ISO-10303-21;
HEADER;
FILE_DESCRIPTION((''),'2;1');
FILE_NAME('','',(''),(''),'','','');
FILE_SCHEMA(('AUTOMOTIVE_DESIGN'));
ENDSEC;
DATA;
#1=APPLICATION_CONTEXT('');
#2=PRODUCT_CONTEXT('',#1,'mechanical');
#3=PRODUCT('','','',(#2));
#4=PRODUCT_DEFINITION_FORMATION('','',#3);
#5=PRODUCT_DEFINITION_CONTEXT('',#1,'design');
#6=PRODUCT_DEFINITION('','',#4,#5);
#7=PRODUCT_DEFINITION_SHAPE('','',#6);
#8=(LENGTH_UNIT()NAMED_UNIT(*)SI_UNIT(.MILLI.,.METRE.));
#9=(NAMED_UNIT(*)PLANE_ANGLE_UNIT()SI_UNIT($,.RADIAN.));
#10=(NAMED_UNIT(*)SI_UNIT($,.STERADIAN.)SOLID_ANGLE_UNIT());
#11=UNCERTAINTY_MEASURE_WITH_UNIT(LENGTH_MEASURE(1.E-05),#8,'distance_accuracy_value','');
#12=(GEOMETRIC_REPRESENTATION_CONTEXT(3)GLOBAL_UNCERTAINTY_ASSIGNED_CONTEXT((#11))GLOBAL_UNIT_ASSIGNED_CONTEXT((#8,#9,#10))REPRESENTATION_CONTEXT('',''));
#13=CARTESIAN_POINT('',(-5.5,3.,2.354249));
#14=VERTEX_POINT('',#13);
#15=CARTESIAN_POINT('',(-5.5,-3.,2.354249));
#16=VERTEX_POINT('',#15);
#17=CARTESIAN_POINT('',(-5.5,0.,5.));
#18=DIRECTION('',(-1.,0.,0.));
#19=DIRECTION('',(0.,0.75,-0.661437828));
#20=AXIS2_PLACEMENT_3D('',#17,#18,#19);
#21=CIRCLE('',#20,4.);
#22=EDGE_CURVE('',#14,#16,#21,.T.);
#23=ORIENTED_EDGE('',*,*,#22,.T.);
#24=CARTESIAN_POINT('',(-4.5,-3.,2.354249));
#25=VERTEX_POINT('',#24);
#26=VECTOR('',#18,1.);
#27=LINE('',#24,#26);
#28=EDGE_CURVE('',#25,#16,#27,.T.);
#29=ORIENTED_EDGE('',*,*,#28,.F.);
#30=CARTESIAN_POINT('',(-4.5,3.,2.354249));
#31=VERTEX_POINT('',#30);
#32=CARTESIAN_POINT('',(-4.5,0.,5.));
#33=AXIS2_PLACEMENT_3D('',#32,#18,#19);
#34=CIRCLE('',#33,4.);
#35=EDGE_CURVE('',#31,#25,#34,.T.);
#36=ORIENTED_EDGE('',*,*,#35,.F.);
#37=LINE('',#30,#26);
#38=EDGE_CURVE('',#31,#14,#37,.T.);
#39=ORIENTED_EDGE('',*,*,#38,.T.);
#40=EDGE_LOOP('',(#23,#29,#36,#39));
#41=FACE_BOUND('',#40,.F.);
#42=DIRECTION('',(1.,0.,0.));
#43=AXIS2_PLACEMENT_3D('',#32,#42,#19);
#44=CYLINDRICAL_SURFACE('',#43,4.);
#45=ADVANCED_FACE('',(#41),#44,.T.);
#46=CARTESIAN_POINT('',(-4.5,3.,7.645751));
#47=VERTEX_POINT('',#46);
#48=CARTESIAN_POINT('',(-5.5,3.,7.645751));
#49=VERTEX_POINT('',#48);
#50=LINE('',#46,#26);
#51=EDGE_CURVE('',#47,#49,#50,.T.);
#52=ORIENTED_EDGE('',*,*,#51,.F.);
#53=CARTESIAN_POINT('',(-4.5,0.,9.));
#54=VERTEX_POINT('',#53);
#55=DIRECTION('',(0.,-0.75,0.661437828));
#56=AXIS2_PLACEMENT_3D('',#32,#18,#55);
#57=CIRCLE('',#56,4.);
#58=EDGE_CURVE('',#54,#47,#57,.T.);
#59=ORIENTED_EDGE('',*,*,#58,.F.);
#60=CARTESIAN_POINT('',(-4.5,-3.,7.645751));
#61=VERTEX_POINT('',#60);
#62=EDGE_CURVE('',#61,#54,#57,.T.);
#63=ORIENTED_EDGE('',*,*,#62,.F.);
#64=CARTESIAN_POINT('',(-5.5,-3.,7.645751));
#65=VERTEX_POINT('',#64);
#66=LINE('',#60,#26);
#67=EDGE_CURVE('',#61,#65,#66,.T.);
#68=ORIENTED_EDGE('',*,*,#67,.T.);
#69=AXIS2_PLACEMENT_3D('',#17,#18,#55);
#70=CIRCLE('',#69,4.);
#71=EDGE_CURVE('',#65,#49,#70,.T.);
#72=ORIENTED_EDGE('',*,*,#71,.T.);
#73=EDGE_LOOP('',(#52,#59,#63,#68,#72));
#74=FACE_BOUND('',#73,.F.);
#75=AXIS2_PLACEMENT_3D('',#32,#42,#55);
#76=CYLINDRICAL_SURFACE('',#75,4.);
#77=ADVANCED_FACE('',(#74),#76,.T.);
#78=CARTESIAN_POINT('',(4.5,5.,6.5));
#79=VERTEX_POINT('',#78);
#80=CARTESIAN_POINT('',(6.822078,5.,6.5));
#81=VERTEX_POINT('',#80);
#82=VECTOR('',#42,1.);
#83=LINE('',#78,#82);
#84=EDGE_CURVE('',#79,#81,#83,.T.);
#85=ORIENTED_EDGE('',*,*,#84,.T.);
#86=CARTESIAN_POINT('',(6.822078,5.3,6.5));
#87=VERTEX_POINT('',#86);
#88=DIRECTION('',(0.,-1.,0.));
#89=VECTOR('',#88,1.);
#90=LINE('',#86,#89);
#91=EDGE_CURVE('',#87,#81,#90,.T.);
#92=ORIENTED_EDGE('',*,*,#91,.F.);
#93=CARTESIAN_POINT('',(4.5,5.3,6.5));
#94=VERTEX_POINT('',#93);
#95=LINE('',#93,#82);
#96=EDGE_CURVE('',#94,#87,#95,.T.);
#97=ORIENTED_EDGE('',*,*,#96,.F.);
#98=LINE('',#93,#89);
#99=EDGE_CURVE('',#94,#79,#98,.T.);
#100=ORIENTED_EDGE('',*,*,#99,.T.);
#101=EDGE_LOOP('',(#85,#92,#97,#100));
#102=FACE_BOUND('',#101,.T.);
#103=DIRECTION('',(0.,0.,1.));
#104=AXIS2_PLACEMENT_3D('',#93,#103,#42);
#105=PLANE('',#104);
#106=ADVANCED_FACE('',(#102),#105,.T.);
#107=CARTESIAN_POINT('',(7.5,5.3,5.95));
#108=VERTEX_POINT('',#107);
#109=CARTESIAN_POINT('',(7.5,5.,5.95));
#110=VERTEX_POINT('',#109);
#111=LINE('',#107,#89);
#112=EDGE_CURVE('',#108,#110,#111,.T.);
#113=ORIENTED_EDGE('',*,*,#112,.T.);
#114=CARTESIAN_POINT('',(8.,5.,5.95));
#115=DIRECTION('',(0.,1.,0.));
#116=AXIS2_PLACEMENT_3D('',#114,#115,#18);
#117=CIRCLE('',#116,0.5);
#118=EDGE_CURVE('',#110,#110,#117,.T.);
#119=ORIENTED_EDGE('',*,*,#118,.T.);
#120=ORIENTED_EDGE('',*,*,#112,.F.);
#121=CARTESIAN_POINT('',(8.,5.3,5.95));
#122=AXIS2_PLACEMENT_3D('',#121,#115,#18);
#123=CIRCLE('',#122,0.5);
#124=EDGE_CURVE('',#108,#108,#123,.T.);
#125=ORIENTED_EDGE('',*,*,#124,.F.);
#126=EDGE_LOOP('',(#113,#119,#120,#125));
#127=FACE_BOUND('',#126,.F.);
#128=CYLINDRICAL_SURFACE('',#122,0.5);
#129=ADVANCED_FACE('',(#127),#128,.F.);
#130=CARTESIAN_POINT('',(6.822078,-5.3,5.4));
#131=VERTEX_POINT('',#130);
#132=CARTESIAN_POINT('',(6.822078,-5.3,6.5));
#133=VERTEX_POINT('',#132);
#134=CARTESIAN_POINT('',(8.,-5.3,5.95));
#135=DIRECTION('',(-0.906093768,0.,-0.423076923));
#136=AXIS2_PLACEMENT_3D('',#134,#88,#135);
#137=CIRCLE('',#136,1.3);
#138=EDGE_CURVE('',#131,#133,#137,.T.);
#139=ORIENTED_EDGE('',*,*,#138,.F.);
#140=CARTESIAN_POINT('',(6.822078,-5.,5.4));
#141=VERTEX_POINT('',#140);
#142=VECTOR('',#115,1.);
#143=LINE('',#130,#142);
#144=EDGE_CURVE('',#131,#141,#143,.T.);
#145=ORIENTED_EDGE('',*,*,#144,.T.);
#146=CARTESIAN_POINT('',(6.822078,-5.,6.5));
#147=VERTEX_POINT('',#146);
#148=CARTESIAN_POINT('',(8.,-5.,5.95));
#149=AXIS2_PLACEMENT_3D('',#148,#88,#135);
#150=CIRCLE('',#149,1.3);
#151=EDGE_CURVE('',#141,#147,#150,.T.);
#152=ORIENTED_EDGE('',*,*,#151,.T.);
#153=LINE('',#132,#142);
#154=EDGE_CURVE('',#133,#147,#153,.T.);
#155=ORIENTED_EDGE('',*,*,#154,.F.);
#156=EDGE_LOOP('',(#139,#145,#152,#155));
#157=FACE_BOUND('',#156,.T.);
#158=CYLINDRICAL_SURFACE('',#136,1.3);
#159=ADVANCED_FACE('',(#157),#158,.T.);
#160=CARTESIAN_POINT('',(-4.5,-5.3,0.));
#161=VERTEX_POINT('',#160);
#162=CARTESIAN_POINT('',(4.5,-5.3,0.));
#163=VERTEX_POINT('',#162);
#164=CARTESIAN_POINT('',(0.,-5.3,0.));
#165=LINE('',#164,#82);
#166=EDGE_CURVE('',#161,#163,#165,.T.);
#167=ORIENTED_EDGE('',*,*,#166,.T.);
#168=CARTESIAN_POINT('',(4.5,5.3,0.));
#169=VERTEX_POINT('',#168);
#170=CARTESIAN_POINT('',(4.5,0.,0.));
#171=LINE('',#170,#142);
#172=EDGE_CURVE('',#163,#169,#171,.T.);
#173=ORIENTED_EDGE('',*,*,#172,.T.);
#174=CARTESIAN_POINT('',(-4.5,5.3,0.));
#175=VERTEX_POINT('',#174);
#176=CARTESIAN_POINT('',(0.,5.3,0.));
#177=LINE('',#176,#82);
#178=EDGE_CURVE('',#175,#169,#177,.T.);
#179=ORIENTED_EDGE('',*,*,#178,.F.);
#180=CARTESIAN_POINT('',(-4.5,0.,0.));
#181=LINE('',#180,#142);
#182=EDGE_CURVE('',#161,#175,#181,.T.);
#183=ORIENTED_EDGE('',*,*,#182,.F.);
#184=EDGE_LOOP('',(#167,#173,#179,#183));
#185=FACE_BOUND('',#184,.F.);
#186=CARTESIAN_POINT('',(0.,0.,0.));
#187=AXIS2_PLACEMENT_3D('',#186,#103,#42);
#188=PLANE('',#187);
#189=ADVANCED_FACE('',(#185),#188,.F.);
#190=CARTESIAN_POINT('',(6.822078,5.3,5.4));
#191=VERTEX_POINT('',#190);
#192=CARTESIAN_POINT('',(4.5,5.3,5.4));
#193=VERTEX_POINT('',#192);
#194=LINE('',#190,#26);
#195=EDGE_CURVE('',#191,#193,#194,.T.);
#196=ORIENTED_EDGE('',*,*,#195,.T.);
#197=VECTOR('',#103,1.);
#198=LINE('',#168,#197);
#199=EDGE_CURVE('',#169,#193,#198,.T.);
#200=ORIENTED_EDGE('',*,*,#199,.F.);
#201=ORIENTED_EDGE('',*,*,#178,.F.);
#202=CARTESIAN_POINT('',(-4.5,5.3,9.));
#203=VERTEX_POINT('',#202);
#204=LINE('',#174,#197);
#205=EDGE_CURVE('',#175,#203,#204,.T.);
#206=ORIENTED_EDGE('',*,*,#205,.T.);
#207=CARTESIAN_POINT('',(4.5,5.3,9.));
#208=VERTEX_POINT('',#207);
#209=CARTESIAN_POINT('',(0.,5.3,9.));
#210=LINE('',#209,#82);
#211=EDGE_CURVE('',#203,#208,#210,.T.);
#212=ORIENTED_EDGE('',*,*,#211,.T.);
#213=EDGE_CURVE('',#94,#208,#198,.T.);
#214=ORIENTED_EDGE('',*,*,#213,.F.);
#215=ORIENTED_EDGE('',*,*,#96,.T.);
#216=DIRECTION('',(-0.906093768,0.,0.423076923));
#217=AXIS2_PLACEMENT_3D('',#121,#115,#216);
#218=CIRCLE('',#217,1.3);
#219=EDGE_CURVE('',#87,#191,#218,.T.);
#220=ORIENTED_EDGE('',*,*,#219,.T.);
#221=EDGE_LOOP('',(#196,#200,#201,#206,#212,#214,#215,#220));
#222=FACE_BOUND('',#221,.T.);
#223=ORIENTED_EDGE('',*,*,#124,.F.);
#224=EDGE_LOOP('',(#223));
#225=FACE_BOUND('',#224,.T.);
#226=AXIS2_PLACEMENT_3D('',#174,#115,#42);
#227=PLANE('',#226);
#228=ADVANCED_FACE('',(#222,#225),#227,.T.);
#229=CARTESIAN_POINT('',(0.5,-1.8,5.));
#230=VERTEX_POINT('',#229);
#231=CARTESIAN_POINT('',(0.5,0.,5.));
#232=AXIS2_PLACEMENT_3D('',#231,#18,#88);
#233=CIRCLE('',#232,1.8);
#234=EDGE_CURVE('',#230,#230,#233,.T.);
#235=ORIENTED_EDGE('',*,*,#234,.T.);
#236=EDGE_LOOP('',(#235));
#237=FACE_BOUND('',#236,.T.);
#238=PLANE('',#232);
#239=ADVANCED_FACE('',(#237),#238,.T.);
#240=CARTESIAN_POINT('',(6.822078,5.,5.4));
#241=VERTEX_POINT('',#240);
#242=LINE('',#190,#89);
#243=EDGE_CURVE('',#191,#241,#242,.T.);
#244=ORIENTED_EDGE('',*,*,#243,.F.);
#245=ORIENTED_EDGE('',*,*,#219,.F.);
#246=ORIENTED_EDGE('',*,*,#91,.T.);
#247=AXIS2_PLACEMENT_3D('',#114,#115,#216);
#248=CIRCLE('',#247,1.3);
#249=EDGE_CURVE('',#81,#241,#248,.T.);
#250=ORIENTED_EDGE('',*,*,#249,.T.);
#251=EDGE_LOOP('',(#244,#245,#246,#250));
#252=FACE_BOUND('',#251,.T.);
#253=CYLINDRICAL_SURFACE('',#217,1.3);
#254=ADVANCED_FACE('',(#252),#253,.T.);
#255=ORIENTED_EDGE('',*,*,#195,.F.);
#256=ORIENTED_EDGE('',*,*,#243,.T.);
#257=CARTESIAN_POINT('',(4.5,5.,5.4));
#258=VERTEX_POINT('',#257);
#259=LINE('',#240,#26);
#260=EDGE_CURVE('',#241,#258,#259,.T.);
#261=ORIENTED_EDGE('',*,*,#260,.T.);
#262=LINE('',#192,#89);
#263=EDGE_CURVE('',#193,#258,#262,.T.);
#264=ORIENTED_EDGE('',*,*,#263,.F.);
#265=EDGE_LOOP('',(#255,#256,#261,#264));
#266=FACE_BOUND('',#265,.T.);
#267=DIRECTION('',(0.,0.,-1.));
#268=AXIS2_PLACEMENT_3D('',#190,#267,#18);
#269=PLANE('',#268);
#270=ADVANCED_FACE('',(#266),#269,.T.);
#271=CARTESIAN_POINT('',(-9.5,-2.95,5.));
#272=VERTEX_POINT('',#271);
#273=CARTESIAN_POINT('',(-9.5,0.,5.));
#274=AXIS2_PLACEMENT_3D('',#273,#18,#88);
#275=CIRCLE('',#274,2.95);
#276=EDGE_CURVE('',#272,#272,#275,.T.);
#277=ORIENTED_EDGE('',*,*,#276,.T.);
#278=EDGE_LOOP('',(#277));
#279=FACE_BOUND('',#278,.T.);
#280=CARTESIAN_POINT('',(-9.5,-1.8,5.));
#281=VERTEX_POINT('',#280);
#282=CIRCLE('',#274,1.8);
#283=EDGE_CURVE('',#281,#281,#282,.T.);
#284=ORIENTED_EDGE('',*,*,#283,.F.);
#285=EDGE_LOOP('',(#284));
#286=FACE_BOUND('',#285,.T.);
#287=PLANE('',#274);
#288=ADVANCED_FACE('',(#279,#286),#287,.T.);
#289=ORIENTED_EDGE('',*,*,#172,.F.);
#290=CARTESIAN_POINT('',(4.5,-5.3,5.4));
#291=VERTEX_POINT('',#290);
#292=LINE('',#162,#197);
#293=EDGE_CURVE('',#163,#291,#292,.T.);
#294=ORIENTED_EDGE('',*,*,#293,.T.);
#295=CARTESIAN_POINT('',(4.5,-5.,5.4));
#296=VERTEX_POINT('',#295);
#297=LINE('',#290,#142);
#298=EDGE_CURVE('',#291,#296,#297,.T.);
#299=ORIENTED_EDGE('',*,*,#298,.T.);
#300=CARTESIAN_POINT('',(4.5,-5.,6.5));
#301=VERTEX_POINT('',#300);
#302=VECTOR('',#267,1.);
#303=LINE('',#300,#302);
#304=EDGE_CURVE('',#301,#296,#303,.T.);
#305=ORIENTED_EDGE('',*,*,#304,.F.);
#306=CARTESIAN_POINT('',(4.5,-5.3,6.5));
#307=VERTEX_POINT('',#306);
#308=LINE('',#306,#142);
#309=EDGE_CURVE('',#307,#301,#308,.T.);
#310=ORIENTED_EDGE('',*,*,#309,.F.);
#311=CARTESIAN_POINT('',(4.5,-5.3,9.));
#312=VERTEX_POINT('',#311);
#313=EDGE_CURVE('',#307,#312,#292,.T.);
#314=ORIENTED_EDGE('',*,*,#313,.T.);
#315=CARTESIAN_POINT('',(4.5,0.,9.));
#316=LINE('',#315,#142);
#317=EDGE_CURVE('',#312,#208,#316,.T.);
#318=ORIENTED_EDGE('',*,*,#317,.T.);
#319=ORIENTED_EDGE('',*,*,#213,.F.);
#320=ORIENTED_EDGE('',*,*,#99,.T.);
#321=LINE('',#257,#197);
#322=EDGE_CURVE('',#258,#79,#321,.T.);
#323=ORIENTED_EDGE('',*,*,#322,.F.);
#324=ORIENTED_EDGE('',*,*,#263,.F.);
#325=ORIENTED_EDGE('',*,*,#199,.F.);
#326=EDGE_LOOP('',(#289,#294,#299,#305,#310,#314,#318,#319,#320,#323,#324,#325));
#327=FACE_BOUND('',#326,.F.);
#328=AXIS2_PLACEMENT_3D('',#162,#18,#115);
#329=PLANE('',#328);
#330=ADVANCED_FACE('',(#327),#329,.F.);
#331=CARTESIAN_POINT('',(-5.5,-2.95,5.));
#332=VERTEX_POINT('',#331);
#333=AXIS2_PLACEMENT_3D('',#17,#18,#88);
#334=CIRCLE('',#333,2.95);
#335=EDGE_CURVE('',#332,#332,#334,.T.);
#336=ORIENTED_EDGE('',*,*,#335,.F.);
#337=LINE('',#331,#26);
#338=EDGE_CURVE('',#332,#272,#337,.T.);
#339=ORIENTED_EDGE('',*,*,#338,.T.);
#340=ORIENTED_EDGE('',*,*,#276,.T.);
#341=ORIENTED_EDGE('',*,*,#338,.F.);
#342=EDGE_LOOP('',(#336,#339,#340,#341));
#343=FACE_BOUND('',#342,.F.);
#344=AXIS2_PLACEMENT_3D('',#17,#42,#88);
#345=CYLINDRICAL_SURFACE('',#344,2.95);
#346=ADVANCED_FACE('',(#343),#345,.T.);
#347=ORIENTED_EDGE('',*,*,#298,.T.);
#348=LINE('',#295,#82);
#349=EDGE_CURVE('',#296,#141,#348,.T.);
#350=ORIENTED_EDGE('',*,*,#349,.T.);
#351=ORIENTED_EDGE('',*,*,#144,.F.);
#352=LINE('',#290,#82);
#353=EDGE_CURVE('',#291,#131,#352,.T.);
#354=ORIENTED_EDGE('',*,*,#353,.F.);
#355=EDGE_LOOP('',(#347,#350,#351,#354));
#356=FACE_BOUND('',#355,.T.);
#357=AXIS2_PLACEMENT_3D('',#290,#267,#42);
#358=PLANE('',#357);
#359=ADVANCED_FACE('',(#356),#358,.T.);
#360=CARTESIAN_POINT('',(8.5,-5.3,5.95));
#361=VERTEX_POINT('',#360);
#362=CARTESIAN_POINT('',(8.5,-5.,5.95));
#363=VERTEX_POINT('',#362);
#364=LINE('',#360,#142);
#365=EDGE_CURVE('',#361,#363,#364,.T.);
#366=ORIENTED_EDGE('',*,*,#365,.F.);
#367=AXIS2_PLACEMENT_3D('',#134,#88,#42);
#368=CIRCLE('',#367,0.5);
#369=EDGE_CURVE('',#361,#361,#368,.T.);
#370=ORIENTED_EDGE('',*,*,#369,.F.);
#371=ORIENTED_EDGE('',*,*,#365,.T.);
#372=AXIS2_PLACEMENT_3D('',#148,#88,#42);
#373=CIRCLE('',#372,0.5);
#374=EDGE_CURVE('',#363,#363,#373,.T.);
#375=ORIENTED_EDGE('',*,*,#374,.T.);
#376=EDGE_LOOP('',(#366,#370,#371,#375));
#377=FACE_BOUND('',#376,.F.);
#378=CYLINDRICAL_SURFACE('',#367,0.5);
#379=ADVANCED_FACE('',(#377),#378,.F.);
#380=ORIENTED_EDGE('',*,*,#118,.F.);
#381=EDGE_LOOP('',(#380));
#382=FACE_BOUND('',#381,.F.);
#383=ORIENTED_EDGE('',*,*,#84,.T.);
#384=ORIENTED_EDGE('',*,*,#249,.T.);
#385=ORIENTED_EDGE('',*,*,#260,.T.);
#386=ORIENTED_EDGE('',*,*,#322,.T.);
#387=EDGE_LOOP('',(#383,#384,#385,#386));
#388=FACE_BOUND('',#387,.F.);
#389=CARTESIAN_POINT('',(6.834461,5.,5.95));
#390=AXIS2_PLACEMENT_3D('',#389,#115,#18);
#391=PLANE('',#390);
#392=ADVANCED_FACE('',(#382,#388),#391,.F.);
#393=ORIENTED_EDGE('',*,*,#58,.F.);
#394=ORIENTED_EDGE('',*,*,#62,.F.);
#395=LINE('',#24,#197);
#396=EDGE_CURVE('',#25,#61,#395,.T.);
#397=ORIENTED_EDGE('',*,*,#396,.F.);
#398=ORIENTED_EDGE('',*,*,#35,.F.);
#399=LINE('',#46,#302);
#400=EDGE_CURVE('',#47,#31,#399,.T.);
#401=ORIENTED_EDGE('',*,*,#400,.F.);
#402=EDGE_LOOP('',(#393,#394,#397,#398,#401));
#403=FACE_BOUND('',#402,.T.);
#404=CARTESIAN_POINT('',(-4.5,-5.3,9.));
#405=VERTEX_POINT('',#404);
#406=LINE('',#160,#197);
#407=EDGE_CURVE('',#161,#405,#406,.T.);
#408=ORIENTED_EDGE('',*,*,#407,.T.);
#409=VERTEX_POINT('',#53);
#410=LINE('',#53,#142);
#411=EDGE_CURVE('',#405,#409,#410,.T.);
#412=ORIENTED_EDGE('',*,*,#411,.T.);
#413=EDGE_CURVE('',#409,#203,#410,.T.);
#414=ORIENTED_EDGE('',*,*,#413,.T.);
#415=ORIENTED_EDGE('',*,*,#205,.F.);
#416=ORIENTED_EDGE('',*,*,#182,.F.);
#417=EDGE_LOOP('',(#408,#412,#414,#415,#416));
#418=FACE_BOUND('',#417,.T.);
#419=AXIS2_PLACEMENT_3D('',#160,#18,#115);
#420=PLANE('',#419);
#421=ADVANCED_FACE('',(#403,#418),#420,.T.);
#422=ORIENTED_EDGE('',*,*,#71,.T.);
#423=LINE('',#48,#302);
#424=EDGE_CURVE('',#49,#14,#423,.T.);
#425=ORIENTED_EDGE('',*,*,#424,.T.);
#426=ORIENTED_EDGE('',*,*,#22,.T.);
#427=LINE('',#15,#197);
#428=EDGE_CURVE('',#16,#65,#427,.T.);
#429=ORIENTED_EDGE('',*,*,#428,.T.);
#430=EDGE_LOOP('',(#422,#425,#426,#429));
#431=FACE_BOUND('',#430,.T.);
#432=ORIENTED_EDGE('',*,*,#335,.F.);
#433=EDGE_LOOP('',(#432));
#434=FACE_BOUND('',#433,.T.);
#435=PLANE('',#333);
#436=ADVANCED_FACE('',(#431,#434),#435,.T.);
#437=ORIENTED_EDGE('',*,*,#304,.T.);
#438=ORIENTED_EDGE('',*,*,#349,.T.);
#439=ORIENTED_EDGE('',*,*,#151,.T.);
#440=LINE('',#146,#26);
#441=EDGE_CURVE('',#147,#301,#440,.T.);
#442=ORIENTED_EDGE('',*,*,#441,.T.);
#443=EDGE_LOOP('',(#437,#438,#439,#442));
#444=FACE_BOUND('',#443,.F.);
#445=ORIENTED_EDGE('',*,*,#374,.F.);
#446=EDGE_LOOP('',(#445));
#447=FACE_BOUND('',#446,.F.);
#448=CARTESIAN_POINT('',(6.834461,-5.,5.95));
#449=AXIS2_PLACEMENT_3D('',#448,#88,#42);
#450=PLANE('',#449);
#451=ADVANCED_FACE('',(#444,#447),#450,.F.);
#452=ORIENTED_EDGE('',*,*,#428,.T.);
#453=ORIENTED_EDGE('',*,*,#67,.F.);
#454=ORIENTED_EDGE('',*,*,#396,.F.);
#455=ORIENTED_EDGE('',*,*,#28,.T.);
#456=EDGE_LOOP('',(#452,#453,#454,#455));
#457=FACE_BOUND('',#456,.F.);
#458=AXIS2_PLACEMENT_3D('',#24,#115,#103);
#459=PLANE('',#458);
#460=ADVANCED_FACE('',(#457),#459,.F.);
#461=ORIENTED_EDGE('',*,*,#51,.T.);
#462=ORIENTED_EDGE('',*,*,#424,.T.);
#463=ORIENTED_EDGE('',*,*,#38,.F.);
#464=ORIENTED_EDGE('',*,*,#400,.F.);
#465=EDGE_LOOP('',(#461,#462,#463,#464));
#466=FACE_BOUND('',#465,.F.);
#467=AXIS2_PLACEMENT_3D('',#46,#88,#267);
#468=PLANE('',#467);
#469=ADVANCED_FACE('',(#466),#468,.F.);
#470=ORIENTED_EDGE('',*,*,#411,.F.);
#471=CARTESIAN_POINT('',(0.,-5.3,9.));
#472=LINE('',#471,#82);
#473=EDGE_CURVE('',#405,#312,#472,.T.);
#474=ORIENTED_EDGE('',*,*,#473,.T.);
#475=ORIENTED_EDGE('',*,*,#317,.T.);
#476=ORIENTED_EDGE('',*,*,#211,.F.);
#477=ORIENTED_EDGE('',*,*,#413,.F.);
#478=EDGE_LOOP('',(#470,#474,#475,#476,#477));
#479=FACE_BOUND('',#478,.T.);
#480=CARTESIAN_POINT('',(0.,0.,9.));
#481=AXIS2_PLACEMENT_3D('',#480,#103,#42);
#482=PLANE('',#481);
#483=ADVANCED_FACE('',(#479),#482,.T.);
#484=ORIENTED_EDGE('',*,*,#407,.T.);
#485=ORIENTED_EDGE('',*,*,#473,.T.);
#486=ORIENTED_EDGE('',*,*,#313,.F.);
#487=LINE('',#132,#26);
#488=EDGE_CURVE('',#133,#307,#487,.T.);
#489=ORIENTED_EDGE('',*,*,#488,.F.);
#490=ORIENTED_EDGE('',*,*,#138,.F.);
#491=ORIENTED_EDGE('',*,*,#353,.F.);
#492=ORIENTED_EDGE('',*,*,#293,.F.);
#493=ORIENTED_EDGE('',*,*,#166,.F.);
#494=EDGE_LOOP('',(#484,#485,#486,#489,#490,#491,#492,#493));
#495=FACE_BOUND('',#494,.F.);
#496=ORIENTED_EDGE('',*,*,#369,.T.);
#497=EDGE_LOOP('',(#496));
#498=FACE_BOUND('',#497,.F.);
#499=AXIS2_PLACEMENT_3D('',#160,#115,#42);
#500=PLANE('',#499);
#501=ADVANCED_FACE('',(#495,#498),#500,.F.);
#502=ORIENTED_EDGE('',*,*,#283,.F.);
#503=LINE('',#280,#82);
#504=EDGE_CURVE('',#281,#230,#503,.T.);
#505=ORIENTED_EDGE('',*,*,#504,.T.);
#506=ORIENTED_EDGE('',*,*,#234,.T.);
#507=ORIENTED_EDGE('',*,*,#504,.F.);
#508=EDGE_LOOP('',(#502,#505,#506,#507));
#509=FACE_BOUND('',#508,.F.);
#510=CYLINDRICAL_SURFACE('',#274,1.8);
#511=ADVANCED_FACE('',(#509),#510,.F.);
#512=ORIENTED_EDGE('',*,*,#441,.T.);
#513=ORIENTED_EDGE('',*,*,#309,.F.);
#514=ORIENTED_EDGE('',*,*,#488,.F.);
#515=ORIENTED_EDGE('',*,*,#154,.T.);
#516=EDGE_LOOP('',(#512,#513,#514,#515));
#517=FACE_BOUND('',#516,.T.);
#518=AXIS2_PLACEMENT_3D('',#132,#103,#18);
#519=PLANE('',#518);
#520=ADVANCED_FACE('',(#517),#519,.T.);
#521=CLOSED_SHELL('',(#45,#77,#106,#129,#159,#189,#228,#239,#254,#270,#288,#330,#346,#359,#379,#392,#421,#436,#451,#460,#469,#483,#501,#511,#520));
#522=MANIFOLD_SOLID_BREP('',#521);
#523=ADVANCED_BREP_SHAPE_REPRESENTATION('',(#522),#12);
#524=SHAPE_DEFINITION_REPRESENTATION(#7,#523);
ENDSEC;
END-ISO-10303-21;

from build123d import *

# Parameters (mm, degrees)
F0_W      = 9
F0_H      = 10.6
F1_DEPTH  = 9
F3_DEPTH  = 1
F4_R      = 2.95
F5_DEPTH  = 4
F6_R      = 0.5
F7_DEPTH  = 0.3
F8_R      = 0.5
F9_DEPTH  = 0.3
F10_R     = 1.8
F11_DEPTH = 10


with BuildPart() as f1:
    # F0 (on Top) → F1 (new body)
    with BuildSketch(Plane.XY):
        Rectangle(F0_W, F0_H)
    extrude(amount=F1_DEPTH)

    # F2 (on face) → F3 (join)
    with BuildSketch(Plane(origin=(-4.5, 0, 0), x_dir=(0, -1, 0), z_dir=(-1, 0, 0))):
        with BuildLine():
            Line((3, 2.3542486889), (3, 7.6457513111))
            ThreePointArc((3, 7.6457513111), (0, 9), (-3, 7.6457513111))
            Line((-3, 7.6457513111), (-3, 2.3542486889))
            ThreePointArc((-3, 2.3542486889), (0, 1), (3, 2.3542486889))
        make_face()
    extrude(amount=F3_DEPTH)

    # F4 (on face) → F5 (join)
    with BuildSketch(Plane(origin=(-5.5, 0, 0), x_dir=(0, -1, 0), z_dir=(-1, 0, 0))):
        with Locations((0, 5)):
            Circle(F4_R)
    extrude(amount=F5_DEPTH)

    # F6 (on face) → F7 (join)
    with BuildSketch(Plane(origin=(0, 5.3, 0), x_dir=(-1, 0, 0), z_dir=(0, 1, 0))):
        with BuildLine():
            Line((-4.5, 5.4), (-4.5, 6.5))
            Line((-4.5, 6.5), (-6.8220781011, 6.5))
            ThreePointArc((-6.8220781011, 6.5), (-9.3, 5.95), (-6.8220781011, 5.4))
            Line((-6.8220781011, 5.4), (-4.5, 5.4))
        make_face()
        with Locations((-8, 5.95)):
            Circle(F6_R, mode=Mode.SUBTRACT)
    extrude(amount=-F7_DEPTH)

    # F8 (on face) → F9 (join)
    with BuildSketch(Plane.XZ.offset(5.3)):
        with BuildLine():
            Line((4.5, 6.5), (4.5, 5.4))
            Line((4.5, 5.4), (6.8220781011, 5.4))
            ThreePointArc((6.8220781011, 5.4), (9.3, 5.95), (6.8220781011, 6.5))
            Line((6.8220781011, 6.5), (4.5, 6.5))
        make_face()
        with Locations((8, 5.95)):
            Circle(F8_R, mode=Mode.SUBTRACT)
    extrude(amount=-F9_DEPTH)

    # F10 (on face) → F11 (cut)
    with BuildSketch(Plane(origin=(-9.5, 0, 0), x_dir=(0, -1, 0), z_dir=(-1, 0, 0))):
        with Locations((0, 5)):
            Circle(F10_R)
    extrude(amount=-F11_DEPTH, mode=Mode.SUBTRACT)


solid = f1.part
